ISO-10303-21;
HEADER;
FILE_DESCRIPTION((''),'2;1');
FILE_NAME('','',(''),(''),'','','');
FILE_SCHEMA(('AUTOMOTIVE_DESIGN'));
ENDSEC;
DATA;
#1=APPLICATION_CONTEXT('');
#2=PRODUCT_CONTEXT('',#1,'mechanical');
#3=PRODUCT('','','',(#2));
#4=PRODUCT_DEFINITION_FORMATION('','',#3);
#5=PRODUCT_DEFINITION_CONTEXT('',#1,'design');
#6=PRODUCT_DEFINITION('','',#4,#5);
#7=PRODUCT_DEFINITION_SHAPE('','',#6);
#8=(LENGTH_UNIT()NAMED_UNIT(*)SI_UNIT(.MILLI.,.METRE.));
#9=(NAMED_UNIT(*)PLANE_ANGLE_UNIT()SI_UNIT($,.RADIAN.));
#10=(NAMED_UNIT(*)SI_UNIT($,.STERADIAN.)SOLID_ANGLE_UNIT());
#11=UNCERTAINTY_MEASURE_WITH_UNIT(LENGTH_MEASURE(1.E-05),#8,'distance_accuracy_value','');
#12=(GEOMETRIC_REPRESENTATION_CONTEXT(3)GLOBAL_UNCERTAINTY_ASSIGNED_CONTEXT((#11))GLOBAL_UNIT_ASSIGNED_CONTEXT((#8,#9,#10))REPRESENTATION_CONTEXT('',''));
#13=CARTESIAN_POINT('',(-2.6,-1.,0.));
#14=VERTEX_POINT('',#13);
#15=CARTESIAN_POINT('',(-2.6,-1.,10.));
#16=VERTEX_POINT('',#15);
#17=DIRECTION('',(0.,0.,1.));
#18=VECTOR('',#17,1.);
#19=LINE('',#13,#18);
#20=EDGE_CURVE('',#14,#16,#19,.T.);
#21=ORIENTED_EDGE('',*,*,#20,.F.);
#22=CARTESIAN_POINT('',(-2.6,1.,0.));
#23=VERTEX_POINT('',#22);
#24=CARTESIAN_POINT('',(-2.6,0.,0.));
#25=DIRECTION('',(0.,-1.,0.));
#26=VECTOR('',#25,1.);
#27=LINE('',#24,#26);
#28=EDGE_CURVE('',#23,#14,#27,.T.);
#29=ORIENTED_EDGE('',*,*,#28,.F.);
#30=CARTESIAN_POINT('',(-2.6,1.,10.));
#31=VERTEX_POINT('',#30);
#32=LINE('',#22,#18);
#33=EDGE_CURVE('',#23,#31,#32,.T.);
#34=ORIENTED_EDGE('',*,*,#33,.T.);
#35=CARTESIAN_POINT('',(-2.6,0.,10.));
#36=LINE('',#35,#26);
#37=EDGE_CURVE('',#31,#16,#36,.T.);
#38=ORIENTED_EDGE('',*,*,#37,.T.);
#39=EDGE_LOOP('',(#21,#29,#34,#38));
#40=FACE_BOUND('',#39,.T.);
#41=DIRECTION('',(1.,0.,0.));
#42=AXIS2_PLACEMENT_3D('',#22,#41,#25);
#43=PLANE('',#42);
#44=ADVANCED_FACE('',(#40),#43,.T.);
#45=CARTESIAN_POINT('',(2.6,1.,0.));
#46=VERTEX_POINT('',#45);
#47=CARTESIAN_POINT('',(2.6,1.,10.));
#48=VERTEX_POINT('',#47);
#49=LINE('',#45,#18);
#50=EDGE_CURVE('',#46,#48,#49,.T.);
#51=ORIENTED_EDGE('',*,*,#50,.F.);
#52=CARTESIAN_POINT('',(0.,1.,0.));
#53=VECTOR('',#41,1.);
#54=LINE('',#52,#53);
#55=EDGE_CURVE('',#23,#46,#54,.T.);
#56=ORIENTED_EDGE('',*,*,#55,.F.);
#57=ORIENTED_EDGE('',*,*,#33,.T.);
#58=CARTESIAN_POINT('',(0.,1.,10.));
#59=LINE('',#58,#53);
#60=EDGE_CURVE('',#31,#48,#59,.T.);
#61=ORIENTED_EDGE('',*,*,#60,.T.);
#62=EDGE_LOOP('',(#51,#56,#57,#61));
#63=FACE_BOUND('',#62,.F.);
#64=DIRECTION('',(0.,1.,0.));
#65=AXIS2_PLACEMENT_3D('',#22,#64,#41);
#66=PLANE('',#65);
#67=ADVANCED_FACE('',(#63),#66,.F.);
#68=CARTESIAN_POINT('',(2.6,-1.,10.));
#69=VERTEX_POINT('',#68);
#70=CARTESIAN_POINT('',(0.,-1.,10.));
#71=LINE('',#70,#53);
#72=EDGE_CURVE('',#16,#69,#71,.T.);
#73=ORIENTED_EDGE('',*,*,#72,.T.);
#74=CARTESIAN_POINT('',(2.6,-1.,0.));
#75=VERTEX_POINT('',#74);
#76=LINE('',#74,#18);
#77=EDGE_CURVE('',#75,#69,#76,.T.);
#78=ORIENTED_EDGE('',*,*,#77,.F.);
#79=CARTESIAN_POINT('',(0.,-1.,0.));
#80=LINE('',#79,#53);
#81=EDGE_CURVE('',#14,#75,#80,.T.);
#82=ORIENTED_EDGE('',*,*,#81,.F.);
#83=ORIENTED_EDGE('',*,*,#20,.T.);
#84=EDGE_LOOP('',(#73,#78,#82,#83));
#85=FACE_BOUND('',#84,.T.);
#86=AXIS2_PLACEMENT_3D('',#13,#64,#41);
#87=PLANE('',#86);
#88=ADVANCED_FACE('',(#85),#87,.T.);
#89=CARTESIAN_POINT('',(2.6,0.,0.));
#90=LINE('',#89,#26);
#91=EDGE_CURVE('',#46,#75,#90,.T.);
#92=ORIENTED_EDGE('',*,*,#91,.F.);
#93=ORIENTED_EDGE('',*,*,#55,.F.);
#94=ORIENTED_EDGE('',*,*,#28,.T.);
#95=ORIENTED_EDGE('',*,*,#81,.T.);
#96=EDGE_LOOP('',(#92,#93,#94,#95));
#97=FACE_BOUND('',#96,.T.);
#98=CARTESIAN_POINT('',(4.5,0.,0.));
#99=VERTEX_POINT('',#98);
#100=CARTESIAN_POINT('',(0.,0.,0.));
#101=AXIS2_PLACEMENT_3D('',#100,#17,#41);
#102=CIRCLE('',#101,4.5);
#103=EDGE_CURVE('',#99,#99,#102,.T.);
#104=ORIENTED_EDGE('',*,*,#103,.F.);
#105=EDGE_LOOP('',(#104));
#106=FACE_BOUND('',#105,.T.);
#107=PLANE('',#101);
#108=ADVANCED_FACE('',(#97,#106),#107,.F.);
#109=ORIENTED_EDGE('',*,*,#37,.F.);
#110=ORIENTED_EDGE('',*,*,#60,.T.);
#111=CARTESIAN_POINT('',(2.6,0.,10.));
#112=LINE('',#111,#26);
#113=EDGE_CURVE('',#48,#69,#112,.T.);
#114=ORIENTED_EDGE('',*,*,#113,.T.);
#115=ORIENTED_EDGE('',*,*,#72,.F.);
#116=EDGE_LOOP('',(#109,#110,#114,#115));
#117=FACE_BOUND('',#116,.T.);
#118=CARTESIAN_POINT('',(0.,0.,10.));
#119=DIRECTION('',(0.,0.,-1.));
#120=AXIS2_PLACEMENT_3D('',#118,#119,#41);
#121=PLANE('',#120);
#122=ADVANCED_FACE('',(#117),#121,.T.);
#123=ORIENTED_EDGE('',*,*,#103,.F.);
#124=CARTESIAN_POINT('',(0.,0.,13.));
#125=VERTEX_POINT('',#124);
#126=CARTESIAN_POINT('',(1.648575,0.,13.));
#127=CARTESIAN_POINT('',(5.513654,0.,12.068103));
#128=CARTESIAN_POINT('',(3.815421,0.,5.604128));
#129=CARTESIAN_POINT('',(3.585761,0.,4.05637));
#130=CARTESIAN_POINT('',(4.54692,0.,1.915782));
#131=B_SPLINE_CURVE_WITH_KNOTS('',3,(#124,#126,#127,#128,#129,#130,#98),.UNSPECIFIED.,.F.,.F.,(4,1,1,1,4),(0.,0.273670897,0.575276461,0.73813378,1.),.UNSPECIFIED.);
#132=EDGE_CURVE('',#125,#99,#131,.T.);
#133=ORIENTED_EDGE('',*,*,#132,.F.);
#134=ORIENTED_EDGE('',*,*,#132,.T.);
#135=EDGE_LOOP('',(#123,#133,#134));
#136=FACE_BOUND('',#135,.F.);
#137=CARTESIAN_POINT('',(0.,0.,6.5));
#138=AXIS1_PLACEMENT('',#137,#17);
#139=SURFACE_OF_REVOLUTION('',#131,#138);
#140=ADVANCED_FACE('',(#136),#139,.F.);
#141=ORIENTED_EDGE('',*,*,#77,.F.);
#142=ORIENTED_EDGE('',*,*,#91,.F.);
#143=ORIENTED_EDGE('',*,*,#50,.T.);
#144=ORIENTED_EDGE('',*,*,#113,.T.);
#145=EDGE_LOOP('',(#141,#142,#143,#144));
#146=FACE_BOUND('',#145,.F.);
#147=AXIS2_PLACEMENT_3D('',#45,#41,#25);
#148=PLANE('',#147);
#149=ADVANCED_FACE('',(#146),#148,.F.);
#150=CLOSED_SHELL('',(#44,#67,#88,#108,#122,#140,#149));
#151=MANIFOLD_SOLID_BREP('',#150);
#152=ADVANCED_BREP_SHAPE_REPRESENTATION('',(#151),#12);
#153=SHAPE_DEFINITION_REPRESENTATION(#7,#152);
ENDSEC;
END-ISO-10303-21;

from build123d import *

# Parameters (mm, degrees)
F2_W     = 5.2
F2_H     = 2
F3_DEPTH = 10


with BuildPart() as f1:
    # F0 (on Front) → F1 (revolve)
    with BuildSketch(Plane.XZ):
        with BuildLine():
            Line((0, 13), (0, 0))
            Line((0, 0), (4.5, 0))
            add(Edge.make_bspline(
                [(0, 13), (1.6485750989, 13), (5.5136542005, 12.068103322), (3.815420868, 5.6041278578), (3.5857608438, 4.0563703542), (4.5469201535, 1.9157821881), (4.5, 0)],
                knots=[0, 0, 0, 0, 0.2736708974, 0.575276461, 0.7381337799, 1, 1, 1, 1], degree=3))
        make_face()
    revolve(axis=Axis((0, 0, 6.5), (0, 0, 1)))

    # F2 (on face) → F3 (cut)
    with BuildSketch(Plane(origin=(0, 0, 0), x_dir=(1, 0, 0), z_dir=(0, 0, -1))):
        Rectangle(F2_W, F2_H)
    extrude(amount=-F3_DEPTH, mode=Mode.SUBTRACT)


solid = f1.part
